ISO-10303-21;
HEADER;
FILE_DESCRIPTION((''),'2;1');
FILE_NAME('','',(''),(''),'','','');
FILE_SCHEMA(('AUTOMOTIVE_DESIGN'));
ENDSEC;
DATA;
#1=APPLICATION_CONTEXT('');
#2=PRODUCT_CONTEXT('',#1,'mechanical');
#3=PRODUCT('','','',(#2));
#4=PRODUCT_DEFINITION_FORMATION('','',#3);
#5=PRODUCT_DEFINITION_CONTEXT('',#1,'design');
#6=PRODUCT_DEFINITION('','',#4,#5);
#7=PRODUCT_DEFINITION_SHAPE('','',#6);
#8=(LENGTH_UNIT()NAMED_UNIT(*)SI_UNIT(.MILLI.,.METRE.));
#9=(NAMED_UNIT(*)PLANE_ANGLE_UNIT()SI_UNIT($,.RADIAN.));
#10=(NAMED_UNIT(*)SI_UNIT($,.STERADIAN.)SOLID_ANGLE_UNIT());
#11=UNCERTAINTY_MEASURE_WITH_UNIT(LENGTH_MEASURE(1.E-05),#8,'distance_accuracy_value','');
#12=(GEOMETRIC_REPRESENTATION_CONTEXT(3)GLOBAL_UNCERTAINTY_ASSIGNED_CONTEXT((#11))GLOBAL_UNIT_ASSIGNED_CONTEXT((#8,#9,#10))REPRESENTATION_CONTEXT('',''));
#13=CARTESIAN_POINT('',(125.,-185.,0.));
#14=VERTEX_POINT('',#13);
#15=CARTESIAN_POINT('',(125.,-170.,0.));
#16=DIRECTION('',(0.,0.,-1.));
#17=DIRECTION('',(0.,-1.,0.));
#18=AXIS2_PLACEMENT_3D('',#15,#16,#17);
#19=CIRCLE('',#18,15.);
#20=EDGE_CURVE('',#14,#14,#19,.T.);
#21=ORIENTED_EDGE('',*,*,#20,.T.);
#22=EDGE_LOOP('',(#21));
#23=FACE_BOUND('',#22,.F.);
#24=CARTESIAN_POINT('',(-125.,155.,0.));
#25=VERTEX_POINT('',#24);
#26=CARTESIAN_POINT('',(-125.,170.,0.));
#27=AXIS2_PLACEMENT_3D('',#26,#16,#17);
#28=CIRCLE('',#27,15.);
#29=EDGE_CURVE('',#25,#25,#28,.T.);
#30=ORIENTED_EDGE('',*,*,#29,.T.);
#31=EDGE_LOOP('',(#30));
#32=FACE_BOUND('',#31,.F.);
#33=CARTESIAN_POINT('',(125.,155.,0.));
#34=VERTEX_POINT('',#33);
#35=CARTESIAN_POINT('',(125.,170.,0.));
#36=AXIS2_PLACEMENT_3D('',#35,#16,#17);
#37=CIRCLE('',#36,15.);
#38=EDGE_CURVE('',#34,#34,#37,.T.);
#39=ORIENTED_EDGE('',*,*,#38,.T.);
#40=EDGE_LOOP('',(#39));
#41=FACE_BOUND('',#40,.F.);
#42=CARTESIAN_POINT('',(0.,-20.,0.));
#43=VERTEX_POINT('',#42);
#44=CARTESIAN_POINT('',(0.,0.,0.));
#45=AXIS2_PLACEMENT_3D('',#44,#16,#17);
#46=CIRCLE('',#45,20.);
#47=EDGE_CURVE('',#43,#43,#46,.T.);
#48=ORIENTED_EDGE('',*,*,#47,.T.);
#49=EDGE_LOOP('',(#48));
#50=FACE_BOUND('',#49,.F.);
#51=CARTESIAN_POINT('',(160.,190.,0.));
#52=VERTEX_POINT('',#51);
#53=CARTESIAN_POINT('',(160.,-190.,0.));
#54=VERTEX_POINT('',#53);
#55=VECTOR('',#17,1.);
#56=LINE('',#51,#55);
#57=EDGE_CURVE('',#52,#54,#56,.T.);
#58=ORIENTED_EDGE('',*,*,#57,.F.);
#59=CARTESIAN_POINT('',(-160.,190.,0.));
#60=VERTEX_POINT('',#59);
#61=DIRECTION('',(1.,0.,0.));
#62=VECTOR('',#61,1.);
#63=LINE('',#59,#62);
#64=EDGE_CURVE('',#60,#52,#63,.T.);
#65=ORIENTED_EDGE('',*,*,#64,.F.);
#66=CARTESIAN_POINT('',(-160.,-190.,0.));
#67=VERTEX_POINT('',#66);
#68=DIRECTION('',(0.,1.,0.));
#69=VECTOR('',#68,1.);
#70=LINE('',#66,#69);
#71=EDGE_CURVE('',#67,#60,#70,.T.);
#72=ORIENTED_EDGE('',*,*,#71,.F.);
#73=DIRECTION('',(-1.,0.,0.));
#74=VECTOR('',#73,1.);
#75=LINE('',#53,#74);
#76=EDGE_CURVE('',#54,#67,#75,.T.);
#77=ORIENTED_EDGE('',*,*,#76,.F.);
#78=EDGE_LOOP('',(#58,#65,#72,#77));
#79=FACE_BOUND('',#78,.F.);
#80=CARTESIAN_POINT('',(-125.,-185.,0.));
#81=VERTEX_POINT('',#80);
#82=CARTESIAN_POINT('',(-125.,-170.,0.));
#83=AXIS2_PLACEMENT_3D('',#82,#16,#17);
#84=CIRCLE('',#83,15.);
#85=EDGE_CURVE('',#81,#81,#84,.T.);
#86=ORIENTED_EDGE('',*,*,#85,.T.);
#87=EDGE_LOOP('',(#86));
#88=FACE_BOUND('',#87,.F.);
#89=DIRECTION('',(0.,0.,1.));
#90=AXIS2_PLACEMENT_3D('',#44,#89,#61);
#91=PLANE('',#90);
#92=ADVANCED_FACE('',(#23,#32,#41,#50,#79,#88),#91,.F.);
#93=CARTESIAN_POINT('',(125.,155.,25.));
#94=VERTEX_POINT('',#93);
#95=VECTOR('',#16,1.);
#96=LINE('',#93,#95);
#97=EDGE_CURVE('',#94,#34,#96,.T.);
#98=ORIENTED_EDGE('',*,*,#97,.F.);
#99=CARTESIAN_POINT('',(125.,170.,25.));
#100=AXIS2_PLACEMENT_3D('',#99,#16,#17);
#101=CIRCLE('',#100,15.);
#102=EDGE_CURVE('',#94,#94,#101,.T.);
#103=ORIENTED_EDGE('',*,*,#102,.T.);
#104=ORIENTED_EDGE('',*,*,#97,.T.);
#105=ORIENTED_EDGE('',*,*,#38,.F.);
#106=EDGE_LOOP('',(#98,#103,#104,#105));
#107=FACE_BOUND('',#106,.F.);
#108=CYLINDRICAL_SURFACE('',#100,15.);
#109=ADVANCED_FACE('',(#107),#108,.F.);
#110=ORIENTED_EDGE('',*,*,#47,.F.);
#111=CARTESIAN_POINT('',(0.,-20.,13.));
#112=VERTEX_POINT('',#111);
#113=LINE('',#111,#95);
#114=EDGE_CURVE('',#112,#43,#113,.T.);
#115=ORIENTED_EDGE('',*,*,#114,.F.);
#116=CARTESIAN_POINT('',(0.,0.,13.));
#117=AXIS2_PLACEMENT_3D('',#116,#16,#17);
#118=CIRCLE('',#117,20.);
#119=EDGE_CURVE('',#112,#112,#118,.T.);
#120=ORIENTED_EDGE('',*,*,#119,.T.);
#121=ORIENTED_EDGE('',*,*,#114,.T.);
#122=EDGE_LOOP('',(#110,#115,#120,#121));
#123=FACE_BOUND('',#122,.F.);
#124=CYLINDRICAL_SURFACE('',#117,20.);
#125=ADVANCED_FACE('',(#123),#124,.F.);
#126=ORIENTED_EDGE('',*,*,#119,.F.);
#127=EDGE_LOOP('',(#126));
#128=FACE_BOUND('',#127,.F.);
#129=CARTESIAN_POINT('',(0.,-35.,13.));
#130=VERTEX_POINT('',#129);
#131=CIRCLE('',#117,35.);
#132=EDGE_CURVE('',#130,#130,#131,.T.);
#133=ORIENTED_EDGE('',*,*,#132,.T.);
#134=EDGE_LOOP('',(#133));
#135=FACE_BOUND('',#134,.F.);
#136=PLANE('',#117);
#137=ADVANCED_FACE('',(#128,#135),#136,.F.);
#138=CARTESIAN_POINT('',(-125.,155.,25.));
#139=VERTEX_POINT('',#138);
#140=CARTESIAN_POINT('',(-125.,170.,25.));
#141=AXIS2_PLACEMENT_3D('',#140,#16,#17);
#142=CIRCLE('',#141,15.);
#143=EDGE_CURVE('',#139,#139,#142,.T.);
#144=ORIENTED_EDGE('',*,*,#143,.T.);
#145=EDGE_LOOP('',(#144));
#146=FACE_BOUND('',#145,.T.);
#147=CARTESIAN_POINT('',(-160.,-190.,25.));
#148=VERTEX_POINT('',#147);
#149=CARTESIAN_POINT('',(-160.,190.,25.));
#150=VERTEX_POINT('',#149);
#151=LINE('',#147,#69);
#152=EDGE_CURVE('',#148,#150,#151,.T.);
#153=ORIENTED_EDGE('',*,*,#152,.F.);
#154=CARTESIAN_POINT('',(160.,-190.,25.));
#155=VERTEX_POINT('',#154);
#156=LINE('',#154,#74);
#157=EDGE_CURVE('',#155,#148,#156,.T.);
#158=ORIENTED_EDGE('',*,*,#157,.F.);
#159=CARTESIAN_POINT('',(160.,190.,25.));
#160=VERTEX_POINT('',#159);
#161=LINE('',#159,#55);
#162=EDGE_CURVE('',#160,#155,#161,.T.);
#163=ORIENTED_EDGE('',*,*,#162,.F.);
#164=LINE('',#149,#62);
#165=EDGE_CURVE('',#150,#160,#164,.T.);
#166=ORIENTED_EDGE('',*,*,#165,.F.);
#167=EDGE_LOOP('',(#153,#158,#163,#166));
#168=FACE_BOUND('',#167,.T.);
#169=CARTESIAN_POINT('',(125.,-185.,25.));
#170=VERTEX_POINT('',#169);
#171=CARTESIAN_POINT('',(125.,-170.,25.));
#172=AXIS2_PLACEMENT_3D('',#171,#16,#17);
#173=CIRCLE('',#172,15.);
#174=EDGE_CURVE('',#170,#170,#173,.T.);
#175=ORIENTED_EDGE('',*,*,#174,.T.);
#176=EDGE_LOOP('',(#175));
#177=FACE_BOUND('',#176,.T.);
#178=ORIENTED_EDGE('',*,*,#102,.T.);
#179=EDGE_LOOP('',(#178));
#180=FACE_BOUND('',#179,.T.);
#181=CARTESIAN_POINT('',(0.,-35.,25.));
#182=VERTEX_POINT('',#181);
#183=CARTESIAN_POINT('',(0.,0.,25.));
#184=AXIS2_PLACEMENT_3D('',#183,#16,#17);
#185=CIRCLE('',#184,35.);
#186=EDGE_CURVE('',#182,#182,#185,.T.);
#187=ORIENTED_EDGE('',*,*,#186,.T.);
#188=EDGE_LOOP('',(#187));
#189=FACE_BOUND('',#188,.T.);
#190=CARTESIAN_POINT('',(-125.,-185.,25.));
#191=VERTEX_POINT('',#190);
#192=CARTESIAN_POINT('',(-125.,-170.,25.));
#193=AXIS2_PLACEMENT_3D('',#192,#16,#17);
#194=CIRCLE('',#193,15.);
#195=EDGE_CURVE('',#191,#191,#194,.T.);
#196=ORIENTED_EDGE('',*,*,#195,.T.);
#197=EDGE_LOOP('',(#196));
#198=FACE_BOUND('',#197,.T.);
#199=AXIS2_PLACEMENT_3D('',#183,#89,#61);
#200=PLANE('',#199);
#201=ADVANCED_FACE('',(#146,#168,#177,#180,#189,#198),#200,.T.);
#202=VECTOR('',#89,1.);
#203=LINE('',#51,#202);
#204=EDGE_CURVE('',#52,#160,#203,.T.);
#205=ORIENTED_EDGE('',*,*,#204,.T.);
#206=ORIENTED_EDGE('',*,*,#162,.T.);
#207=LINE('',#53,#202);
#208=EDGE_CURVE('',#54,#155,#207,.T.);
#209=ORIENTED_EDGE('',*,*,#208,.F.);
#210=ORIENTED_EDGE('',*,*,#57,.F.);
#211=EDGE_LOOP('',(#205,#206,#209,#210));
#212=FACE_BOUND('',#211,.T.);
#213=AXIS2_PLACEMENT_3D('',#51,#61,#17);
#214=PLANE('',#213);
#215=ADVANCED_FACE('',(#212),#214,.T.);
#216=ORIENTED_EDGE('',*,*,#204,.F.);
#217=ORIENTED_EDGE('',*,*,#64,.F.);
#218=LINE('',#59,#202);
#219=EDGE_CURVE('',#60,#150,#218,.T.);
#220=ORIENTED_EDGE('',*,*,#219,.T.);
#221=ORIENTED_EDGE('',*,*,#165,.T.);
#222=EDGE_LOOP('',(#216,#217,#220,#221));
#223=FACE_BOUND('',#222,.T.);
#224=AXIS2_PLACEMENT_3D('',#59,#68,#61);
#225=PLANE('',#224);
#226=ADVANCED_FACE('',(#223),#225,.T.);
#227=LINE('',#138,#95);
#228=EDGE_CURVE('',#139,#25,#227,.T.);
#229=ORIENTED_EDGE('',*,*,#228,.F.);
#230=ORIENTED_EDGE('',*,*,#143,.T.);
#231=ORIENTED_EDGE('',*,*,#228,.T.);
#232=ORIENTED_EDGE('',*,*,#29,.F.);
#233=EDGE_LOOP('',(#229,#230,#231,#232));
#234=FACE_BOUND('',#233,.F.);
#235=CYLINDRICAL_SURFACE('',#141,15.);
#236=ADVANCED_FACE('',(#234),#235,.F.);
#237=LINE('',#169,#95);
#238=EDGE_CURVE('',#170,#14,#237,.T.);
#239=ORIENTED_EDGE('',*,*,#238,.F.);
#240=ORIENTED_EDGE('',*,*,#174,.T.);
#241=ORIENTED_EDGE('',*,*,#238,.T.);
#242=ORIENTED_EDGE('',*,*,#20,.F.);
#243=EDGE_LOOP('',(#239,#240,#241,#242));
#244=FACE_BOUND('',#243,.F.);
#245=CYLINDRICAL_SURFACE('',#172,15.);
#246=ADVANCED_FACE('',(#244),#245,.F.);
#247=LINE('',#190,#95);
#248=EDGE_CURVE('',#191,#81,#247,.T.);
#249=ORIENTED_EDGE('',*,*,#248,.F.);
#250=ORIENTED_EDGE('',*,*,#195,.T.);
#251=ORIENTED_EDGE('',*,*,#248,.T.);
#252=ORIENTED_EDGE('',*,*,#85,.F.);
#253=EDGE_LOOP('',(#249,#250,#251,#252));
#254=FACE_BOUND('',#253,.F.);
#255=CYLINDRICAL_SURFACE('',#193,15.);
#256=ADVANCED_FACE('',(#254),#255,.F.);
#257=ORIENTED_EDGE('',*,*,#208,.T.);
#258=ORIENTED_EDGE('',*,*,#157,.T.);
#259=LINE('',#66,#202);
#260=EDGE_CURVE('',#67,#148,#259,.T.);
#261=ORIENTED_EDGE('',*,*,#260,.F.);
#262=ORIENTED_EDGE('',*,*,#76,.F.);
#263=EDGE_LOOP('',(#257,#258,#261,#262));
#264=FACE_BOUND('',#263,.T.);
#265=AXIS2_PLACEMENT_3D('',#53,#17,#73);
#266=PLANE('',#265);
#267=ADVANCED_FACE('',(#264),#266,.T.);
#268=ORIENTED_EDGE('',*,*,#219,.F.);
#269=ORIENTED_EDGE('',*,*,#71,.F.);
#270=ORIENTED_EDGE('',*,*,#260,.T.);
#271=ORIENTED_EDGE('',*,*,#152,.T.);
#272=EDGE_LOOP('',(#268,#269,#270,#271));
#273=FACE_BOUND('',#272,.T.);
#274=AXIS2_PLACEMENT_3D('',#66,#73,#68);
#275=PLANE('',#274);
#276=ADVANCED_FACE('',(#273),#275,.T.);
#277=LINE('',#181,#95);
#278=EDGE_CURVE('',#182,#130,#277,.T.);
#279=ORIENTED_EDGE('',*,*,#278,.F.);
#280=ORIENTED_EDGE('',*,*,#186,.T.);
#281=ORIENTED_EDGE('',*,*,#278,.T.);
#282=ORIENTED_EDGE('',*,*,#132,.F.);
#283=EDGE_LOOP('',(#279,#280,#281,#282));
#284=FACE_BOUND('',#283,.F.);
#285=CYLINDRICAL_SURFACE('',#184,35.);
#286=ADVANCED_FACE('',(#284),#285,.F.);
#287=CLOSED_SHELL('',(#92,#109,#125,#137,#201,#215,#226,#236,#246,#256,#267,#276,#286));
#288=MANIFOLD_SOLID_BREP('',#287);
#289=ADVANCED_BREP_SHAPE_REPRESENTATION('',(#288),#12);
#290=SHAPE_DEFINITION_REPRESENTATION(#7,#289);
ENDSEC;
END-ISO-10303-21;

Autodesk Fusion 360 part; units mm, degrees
sketch "Sketch1" plane through (0, 0, 0) normal (0, 0, 1) x (1, 0, 0)
  line L0 (160, -190) -> (-160, -190)
  line L1 (-160, -190) -> (-160, 190)
  line L2 (-160, 190) -> (160, 190)
  line L3 (160, 190) -> (160, -190)
  line L4 (160, -190) -> (-160, 190) construction
  line L5 (-160, -190) -> (160, 190) construction
  dimension "d1" = 320
  dimension "d2" = 380
extrude "Extrude1" add sketch "Sketch1" along normal blind 25
sketch "Sketch2" plane through (0, 0, 25) normal (0, 0, 1) x (1, 0, 0)
  line L0 (160, 190) -> (-160, 190)
  line L1 (-160, 190) -> (-160, -190)
  line L2 (-160, -190) -> (160, -190)
  line L3 (160, -190) -> (160, 190)
  line L4 (-160, 190) -> (-125, 190)
  line L5 (-125, 190) -> (-125, 170)
  line L6 (-125, 170) -> (-160, 170)
  line L7 (-160, 170) -> (-160, 190)
  line L8 (160, 190) -> (125, 190)
  line L9 (125, 190) -> (125, 170)
  line L10 (125, 170) -> (160, 170)
  line L11 (160, 170) -> (160, 190)
  line L12 (160, -190) -> (125, -190)
  line L13 (125, -190) -> (125, -170)
  line L14 (125, -170) -> (160, -170)
  line L15 (160, -170) -> (160, -190)
  line L16 (-160, -190) -> (-125, -190)
  line L17 (-125, -190) -> (-125, -170)
  line L18 (-125, -170) -> (-160, -170)
  line L19 (-160, -170) -> (-160, -190)
  dimension "d5" = 35
  dimension "d6" = 20
  dimension "d7" = 35
  dimension "d8" = 20
  dimension "d9" = 20
  dimension "d10" = 35
  dimension "d11" = 35
  dimension "d12" = 20
hole "Hole1" at (-125, 170, 25) at (125, 170, 25) at (125, -170, 25) at (-125, -170, 25) direction (0, 0, -1) diameter 30 depth 25 tip angle 118
hole "Hole2" at (0, 0, 25) direction (0, 0, -1) diameter 40 depth 50 tip angle 118 counterbore diameter 70 counterbore depth 12
